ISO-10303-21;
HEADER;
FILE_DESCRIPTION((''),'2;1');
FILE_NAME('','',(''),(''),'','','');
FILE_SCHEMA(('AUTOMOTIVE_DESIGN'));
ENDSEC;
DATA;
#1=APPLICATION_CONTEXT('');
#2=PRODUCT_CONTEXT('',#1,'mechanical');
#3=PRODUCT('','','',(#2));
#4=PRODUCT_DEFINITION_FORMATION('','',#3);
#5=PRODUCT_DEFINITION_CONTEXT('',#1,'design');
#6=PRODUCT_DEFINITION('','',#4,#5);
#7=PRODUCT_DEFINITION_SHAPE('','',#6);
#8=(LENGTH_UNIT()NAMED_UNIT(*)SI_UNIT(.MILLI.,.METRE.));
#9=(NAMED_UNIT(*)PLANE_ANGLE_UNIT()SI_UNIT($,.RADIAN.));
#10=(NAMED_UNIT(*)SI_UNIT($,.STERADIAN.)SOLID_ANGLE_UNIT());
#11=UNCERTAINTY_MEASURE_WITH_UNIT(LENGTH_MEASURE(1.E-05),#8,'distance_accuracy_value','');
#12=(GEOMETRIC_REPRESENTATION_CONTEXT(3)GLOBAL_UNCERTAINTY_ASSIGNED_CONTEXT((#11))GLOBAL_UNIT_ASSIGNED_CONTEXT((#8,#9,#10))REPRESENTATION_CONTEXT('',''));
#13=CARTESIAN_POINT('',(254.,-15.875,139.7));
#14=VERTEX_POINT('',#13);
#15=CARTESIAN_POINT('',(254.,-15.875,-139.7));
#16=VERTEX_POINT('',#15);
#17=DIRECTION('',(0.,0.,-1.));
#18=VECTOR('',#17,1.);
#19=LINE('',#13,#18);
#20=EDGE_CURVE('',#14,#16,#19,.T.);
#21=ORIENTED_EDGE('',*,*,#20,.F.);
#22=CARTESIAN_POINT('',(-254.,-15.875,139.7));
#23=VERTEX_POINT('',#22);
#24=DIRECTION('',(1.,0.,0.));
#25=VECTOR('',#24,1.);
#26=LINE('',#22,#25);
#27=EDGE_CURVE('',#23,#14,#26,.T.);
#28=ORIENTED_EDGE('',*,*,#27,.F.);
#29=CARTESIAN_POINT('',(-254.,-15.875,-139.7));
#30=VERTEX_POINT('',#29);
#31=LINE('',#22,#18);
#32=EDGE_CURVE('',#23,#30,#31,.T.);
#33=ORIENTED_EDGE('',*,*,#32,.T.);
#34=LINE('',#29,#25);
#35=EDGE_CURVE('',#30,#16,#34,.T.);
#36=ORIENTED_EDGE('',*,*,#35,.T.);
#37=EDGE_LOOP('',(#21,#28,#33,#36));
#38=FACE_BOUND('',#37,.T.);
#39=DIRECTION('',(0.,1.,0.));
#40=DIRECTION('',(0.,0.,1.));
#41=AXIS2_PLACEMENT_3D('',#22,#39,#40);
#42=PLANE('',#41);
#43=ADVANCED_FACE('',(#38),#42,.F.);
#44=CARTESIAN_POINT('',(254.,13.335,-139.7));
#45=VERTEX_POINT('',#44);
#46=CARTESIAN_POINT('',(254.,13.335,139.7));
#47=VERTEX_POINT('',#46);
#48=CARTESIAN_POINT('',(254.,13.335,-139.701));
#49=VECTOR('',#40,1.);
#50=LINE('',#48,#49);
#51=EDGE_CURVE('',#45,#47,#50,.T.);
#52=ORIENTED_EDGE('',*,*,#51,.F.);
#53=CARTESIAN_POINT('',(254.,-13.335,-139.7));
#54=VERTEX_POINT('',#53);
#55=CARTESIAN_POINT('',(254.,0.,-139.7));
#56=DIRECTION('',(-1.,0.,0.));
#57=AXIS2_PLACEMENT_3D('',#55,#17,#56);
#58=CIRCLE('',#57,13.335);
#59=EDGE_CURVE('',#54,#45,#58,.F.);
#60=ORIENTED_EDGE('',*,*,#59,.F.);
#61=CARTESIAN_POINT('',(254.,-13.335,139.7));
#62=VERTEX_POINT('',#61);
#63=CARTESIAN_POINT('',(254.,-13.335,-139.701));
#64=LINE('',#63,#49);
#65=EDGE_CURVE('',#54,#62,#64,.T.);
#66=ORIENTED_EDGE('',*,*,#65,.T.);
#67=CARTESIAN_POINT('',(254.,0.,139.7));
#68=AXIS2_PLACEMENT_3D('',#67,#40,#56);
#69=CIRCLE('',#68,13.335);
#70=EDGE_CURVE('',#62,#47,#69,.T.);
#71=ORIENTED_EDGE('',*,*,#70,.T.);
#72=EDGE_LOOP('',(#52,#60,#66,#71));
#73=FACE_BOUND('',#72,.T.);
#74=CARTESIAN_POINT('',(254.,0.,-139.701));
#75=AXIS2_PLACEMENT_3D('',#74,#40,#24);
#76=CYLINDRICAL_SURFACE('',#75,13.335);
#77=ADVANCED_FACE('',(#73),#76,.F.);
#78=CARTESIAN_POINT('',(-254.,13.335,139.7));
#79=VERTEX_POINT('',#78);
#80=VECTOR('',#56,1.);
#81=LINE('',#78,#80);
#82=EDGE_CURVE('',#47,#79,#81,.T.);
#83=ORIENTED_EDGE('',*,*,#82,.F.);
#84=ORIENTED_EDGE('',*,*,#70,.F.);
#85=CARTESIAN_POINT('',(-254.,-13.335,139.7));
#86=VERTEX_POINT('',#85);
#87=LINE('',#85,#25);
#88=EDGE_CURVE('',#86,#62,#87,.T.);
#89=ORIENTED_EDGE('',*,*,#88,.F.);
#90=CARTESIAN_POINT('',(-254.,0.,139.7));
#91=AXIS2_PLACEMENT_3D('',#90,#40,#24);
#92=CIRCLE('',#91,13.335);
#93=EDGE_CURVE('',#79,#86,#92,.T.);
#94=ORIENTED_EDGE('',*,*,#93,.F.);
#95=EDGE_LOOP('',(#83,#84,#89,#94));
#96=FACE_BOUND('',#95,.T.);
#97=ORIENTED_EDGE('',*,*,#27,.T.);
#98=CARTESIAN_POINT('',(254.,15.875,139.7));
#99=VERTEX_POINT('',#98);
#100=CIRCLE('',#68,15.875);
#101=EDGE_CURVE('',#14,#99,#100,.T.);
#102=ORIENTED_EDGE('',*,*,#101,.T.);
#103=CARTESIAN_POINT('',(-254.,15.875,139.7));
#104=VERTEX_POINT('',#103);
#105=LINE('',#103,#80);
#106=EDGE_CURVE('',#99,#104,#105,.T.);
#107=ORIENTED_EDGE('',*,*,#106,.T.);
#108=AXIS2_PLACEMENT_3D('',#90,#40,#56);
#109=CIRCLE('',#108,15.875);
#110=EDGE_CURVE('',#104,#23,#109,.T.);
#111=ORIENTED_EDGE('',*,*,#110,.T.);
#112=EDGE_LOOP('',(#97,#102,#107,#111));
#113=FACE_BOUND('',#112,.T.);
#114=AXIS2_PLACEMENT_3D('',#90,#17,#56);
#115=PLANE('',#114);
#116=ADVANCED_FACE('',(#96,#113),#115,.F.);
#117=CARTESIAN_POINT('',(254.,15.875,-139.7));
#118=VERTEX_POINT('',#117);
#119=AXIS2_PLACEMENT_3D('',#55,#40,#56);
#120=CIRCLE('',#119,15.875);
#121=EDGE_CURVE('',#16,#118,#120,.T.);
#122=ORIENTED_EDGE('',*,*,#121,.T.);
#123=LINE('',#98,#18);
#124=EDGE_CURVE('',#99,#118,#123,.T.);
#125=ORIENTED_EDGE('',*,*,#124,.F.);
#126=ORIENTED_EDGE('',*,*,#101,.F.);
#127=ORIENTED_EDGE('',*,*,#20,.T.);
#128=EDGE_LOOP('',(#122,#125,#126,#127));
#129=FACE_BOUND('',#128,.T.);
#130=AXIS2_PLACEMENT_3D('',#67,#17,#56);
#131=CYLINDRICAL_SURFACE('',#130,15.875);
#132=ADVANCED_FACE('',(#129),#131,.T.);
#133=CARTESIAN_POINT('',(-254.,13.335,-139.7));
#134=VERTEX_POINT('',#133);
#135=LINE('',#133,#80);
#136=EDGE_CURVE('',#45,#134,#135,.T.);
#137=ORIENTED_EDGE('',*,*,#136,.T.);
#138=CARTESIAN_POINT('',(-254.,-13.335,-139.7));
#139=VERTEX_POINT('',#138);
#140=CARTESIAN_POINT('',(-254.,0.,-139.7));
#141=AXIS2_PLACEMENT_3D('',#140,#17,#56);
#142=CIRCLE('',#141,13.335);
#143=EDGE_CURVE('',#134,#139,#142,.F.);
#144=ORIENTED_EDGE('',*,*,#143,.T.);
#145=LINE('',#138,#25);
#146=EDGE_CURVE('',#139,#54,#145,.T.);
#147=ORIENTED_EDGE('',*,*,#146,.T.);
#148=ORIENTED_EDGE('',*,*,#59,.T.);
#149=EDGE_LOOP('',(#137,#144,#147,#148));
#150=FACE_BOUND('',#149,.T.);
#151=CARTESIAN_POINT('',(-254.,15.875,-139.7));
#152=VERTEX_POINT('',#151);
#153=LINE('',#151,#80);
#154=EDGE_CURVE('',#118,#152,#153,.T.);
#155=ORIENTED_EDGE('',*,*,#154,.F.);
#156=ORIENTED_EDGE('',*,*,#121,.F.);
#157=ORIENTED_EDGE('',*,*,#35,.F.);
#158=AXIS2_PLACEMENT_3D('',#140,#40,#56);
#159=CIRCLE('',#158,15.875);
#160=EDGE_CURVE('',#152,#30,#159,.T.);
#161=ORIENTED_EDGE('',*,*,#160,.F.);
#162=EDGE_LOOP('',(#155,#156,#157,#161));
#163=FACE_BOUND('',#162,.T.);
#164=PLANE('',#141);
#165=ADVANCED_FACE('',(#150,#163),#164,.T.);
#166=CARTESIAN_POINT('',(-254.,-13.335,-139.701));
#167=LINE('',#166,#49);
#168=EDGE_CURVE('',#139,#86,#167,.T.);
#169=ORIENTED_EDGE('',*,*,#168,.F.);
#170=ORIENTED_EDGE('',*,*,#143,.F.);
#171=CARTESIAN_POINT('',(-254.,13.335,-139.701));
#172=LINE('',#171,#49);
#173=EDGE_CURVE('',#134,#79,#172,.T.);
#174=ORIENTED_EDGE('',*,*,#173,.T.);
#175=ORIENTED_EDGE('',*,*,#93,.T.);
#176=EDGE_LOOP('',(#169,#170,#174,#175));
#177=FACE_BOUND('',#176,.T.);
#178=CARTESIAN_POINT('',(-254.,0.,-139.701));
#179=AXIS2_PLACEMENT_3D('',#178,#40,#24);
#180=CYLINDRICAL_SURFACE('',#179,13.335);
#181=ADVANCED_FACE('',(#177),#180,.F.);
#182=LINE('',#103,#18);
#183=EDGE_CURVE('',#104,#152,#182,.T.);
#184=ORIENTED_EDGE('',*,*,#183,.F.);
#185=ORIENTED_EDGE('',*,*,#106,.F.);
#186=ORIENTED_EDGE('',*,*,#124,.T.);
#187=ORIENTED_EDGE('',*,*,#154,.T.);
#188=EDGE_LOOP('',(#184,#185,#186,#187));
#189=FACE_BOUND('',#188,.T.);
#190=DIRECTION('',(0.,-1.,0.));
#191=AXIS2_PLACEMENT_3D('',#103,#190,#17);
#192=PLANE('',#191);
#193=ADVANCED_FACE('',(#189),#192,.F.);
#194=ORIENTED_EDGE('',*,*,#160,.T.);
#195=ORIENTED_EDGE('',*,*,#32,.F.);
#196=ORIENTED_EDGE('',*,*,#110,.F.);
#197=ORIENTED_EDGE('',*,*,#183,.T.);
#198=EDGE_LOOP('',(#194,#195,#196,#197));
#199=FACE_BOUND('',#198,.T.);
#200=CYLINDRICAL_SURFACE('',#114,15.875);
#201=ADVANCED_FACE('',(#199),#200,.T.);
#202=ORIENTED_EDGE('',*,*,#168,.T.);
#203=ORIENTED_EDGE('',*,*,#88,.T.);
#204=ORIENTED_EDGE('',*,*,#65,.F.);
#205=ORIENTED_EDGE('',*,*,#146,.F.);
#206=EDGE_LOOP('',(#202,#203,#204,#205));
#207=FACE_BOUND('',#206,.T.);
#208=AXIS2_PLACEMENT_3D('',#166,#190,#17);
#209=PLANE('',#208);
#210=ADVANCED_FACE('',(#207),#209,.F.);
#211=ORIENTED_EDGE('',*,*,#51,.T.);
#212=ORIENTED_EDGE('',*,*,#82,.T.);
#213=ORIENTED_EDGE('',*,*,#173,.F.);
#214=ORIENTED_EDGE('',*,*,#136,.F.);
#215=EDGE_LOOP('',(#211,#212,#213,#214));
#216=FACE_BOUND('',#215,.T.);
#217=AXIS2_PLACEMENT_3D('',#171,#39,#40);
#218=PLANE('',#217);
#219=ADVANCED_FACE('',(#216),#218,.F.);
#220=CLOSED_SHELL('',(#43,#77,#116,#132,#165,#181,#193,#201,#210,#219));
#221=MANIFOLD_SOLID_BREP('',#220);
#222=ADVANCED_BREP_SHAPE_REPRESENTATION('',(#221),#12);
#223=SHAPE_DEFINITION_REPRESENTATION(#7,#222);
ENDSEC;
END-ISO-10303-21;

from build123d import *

# Parameters (mm, degrees)
BOSS_EXTRU_1_DEPTH      = 139.7
ENL_V_MAT_EXTRU_1_REACH = 390.779


with BuildPart() as part:
    # Esquisse1 → Boss.-Extru.1 (new, symmetric)
    with BuildSketch(Plane.XY):
        with BuildLine():
            Line((-254, 15.875), (254, 15.875))
            ThreePointArc((254, 15.875), (269.875, 0), (254, -15.875))
            Line((254, -15.875), (-254, -15.875))
            ThreePointArc((-254, -15.875), (-269.875, 0), (-254, 15.875))
        make_face()
    extrude(amount=BOSS_EXTRU_1_DEPTH, both=True)

    # Esquisse2 → Enlèv. mat.-Extru.1 (cut, up to next)
    with BuildSketch(Plane.XY.offset(139.7), mode=Mode.PRIVATE) as enl_v_mat_extru_1_sk1:
        with BuildLine():
            Line((-254, 13.335), (254, 13.335))
            ThreePointArc((254, 13.335), (267.335, 0), (254, -13.335))
            Line((254, -13.335), (-254, -13.335))
            ThreePointArc((-254, -13.335), (-267.335, 0), (-254, 13.335))
        make_face()
    enl_v_mat_extru_1_tool1 = extrude(enl_v_mat_extru_1_sk1.sketch, amount=-ENL_V_MAT_EXTRU_1_REACH, mode=Mode.PRIVATE) & part.part
    add(enl_v_mat_extru_1_tool1.solids().sort_by_distance((0, 0, 139.7))[0], mode=Mode.SUBTRACT)


solid = part.part
